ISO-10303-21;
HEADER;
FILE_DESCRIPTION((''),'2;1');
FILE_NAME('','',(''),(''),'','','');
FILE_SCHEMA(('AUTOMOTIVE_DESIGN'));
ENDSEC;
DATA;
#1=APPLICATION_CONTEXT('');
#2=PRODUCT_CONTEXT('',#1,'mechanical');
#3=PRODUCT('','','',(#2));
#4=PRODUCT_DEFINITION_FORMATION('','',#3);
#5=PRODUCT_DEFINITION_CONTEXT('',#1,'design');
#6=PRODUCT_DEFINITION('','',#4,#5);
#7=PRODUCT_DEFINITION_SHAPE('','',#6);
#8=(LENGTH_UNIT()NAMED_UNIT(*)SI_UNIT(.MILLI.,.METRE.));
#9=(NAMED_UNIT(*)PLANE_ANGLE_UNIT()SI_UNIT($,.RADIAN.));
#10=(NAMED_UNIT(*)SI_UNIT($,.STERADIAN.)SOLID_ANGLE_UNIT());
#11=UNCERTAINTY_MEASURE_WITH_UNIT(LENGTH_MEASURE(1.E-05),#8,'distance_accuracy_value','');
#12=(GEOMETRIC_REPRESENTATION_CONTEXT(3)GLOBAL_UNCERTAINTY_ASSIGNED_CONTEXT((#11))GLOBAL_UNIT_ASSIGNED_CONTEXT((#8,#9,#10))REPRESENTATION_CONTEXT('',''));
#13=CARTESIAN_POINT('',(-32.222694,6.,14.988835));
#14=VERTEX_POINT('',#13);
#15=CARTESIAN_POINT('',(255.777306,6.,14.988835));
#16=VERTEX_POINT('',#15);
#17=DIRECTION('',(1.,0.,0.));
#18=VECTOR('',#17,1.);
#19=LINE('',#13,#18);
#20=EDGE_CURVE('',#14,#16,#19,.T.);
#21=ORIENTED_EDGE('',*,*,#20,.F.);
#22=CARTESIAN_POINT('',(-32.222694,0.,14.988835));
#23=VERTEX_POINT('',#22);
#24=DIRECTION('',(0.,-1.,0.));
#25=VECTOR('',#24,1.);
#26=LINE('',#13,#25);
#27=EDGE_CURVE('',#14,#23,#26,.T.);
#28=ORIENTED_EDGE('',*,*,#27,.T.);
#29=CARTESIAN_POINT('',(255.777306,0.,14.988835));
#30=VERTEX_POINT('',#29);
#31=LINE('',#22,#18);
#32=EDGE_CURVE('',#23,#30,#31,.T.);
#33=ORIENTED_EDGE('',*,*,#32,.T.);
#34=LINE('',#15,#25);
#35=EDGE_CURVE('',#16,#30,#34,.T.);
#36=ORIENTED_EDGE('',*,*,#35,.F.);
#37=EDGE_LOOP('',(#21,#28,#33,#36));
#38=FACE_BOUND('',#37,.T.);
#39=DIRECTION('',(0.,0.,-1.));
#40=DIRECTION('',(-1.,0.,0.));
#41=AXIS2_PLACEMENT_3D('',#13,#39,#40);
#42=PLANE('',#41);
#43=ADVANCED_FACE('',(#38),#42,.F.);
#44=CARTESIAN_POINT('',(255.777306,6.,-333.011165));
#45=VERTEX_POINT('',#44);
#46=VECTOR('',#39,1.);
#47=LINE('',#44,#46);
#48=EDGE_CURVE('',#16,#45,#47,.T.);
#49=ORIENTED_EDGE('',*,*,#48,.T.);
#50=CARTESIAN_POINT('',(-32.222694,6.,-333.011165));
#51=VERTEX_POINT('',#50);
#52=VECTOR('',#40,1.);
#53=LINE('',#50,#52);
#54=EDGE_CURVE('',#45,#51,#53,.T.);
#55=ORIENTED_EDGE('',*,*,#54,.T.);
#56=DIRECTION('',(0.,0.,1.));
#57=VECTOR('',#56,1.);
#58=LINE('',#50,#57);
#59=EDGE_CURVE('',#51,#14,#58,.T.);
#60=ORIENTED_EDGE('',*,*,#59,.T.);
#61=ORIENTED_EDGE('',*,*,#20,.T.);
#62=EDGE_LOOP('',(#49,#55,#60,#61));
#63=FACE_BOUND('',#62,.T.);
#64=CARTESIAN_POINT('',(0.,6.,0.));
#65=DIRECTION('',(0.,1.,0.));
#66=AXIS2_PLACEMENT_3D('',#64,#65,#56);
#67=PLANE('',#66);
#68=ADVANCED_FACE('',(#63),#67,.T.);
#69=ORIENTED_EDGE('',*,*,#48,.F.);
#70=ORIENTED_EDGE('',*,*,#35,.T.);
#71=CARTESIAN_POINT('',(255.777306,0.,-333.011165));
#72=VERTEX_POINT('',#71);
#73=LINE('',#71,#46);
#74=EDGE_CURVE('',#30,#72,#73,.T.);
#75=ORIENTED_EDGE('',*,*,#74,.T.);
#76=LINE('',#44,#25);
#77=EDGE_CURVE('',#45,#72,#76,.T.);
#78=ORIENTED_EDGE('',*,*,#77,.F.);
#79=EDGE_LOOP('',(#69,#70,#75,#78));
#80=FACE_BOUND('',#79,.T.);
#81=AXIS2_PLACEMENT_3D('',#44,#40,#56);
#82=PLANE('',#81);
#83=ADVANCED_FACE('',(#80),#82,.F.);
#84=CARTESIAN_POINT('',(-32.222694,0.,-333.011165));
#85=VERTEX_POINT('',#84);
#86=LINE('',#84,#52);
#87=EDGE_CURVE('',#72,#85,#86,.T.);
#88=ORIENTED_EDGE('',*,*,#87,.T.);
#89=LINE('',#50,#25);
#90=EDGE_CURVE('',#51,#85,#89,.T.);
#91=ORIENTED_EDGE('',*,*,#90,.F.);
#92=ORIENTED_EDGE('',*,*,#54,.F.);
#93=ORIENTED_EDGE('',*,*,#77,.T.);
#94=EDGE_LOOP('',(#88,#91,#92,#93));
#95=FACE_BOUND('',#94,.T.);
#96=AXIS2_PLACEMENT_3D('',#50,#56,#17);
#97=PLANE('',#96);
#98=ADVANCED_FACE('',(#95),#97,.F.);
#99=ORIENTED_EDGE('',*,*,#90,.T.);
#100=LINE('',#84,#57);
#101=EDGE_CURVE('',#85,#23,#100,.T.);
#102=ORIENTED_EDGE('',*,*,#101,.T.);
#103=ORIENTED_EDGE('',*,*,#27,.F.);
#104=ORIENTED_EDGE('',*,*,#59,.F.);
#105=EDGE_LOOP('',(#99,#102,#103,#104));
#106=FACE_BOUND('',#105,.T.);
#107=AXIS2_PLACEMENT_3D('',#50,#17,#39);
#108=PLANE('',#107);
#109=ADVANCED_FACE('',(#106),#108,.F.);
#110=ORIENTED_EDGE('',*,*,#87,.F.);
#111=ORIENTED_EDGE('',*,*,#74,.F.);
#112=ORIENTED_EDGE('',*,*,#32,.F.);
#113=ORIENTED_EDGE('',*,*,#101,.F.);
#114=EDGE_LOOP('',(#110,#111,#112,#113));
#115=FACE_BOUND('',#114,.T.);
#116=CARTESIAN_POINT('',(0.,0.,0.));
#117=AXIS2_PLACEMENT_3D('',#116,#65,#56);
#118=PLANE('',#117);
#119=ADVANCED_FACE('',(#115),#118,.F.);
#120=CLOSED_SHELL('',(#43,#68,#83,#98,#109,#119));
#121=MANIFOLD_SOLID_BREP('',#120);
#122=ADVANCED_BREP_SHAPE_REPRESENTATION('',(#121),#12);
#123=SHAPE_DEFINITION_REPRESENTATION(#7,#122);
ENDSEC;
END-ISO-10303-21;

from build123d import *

# Parameters (mm, degrees)
SKETCH1_W           = 288
SKETCH1_H           = 348
BOSS_EXTRUDE1_DEPTH = 6


with BuildPart() as part:
    # Sketch1 → Boss-Extrude1 (new body)
    with BuildSketch(Plane(origin=(0, 0, 0), x_dir=(1, 0, 0), z_dir=(0, 1, 0))):
        with Locations((111.777306141, 159.011164947)):
            Rectangle(SKETCH1_W, SKETCH1_H)
    extrude(amount=BOSS_EXTRUDE1_DEPTH)


solid = part.part
